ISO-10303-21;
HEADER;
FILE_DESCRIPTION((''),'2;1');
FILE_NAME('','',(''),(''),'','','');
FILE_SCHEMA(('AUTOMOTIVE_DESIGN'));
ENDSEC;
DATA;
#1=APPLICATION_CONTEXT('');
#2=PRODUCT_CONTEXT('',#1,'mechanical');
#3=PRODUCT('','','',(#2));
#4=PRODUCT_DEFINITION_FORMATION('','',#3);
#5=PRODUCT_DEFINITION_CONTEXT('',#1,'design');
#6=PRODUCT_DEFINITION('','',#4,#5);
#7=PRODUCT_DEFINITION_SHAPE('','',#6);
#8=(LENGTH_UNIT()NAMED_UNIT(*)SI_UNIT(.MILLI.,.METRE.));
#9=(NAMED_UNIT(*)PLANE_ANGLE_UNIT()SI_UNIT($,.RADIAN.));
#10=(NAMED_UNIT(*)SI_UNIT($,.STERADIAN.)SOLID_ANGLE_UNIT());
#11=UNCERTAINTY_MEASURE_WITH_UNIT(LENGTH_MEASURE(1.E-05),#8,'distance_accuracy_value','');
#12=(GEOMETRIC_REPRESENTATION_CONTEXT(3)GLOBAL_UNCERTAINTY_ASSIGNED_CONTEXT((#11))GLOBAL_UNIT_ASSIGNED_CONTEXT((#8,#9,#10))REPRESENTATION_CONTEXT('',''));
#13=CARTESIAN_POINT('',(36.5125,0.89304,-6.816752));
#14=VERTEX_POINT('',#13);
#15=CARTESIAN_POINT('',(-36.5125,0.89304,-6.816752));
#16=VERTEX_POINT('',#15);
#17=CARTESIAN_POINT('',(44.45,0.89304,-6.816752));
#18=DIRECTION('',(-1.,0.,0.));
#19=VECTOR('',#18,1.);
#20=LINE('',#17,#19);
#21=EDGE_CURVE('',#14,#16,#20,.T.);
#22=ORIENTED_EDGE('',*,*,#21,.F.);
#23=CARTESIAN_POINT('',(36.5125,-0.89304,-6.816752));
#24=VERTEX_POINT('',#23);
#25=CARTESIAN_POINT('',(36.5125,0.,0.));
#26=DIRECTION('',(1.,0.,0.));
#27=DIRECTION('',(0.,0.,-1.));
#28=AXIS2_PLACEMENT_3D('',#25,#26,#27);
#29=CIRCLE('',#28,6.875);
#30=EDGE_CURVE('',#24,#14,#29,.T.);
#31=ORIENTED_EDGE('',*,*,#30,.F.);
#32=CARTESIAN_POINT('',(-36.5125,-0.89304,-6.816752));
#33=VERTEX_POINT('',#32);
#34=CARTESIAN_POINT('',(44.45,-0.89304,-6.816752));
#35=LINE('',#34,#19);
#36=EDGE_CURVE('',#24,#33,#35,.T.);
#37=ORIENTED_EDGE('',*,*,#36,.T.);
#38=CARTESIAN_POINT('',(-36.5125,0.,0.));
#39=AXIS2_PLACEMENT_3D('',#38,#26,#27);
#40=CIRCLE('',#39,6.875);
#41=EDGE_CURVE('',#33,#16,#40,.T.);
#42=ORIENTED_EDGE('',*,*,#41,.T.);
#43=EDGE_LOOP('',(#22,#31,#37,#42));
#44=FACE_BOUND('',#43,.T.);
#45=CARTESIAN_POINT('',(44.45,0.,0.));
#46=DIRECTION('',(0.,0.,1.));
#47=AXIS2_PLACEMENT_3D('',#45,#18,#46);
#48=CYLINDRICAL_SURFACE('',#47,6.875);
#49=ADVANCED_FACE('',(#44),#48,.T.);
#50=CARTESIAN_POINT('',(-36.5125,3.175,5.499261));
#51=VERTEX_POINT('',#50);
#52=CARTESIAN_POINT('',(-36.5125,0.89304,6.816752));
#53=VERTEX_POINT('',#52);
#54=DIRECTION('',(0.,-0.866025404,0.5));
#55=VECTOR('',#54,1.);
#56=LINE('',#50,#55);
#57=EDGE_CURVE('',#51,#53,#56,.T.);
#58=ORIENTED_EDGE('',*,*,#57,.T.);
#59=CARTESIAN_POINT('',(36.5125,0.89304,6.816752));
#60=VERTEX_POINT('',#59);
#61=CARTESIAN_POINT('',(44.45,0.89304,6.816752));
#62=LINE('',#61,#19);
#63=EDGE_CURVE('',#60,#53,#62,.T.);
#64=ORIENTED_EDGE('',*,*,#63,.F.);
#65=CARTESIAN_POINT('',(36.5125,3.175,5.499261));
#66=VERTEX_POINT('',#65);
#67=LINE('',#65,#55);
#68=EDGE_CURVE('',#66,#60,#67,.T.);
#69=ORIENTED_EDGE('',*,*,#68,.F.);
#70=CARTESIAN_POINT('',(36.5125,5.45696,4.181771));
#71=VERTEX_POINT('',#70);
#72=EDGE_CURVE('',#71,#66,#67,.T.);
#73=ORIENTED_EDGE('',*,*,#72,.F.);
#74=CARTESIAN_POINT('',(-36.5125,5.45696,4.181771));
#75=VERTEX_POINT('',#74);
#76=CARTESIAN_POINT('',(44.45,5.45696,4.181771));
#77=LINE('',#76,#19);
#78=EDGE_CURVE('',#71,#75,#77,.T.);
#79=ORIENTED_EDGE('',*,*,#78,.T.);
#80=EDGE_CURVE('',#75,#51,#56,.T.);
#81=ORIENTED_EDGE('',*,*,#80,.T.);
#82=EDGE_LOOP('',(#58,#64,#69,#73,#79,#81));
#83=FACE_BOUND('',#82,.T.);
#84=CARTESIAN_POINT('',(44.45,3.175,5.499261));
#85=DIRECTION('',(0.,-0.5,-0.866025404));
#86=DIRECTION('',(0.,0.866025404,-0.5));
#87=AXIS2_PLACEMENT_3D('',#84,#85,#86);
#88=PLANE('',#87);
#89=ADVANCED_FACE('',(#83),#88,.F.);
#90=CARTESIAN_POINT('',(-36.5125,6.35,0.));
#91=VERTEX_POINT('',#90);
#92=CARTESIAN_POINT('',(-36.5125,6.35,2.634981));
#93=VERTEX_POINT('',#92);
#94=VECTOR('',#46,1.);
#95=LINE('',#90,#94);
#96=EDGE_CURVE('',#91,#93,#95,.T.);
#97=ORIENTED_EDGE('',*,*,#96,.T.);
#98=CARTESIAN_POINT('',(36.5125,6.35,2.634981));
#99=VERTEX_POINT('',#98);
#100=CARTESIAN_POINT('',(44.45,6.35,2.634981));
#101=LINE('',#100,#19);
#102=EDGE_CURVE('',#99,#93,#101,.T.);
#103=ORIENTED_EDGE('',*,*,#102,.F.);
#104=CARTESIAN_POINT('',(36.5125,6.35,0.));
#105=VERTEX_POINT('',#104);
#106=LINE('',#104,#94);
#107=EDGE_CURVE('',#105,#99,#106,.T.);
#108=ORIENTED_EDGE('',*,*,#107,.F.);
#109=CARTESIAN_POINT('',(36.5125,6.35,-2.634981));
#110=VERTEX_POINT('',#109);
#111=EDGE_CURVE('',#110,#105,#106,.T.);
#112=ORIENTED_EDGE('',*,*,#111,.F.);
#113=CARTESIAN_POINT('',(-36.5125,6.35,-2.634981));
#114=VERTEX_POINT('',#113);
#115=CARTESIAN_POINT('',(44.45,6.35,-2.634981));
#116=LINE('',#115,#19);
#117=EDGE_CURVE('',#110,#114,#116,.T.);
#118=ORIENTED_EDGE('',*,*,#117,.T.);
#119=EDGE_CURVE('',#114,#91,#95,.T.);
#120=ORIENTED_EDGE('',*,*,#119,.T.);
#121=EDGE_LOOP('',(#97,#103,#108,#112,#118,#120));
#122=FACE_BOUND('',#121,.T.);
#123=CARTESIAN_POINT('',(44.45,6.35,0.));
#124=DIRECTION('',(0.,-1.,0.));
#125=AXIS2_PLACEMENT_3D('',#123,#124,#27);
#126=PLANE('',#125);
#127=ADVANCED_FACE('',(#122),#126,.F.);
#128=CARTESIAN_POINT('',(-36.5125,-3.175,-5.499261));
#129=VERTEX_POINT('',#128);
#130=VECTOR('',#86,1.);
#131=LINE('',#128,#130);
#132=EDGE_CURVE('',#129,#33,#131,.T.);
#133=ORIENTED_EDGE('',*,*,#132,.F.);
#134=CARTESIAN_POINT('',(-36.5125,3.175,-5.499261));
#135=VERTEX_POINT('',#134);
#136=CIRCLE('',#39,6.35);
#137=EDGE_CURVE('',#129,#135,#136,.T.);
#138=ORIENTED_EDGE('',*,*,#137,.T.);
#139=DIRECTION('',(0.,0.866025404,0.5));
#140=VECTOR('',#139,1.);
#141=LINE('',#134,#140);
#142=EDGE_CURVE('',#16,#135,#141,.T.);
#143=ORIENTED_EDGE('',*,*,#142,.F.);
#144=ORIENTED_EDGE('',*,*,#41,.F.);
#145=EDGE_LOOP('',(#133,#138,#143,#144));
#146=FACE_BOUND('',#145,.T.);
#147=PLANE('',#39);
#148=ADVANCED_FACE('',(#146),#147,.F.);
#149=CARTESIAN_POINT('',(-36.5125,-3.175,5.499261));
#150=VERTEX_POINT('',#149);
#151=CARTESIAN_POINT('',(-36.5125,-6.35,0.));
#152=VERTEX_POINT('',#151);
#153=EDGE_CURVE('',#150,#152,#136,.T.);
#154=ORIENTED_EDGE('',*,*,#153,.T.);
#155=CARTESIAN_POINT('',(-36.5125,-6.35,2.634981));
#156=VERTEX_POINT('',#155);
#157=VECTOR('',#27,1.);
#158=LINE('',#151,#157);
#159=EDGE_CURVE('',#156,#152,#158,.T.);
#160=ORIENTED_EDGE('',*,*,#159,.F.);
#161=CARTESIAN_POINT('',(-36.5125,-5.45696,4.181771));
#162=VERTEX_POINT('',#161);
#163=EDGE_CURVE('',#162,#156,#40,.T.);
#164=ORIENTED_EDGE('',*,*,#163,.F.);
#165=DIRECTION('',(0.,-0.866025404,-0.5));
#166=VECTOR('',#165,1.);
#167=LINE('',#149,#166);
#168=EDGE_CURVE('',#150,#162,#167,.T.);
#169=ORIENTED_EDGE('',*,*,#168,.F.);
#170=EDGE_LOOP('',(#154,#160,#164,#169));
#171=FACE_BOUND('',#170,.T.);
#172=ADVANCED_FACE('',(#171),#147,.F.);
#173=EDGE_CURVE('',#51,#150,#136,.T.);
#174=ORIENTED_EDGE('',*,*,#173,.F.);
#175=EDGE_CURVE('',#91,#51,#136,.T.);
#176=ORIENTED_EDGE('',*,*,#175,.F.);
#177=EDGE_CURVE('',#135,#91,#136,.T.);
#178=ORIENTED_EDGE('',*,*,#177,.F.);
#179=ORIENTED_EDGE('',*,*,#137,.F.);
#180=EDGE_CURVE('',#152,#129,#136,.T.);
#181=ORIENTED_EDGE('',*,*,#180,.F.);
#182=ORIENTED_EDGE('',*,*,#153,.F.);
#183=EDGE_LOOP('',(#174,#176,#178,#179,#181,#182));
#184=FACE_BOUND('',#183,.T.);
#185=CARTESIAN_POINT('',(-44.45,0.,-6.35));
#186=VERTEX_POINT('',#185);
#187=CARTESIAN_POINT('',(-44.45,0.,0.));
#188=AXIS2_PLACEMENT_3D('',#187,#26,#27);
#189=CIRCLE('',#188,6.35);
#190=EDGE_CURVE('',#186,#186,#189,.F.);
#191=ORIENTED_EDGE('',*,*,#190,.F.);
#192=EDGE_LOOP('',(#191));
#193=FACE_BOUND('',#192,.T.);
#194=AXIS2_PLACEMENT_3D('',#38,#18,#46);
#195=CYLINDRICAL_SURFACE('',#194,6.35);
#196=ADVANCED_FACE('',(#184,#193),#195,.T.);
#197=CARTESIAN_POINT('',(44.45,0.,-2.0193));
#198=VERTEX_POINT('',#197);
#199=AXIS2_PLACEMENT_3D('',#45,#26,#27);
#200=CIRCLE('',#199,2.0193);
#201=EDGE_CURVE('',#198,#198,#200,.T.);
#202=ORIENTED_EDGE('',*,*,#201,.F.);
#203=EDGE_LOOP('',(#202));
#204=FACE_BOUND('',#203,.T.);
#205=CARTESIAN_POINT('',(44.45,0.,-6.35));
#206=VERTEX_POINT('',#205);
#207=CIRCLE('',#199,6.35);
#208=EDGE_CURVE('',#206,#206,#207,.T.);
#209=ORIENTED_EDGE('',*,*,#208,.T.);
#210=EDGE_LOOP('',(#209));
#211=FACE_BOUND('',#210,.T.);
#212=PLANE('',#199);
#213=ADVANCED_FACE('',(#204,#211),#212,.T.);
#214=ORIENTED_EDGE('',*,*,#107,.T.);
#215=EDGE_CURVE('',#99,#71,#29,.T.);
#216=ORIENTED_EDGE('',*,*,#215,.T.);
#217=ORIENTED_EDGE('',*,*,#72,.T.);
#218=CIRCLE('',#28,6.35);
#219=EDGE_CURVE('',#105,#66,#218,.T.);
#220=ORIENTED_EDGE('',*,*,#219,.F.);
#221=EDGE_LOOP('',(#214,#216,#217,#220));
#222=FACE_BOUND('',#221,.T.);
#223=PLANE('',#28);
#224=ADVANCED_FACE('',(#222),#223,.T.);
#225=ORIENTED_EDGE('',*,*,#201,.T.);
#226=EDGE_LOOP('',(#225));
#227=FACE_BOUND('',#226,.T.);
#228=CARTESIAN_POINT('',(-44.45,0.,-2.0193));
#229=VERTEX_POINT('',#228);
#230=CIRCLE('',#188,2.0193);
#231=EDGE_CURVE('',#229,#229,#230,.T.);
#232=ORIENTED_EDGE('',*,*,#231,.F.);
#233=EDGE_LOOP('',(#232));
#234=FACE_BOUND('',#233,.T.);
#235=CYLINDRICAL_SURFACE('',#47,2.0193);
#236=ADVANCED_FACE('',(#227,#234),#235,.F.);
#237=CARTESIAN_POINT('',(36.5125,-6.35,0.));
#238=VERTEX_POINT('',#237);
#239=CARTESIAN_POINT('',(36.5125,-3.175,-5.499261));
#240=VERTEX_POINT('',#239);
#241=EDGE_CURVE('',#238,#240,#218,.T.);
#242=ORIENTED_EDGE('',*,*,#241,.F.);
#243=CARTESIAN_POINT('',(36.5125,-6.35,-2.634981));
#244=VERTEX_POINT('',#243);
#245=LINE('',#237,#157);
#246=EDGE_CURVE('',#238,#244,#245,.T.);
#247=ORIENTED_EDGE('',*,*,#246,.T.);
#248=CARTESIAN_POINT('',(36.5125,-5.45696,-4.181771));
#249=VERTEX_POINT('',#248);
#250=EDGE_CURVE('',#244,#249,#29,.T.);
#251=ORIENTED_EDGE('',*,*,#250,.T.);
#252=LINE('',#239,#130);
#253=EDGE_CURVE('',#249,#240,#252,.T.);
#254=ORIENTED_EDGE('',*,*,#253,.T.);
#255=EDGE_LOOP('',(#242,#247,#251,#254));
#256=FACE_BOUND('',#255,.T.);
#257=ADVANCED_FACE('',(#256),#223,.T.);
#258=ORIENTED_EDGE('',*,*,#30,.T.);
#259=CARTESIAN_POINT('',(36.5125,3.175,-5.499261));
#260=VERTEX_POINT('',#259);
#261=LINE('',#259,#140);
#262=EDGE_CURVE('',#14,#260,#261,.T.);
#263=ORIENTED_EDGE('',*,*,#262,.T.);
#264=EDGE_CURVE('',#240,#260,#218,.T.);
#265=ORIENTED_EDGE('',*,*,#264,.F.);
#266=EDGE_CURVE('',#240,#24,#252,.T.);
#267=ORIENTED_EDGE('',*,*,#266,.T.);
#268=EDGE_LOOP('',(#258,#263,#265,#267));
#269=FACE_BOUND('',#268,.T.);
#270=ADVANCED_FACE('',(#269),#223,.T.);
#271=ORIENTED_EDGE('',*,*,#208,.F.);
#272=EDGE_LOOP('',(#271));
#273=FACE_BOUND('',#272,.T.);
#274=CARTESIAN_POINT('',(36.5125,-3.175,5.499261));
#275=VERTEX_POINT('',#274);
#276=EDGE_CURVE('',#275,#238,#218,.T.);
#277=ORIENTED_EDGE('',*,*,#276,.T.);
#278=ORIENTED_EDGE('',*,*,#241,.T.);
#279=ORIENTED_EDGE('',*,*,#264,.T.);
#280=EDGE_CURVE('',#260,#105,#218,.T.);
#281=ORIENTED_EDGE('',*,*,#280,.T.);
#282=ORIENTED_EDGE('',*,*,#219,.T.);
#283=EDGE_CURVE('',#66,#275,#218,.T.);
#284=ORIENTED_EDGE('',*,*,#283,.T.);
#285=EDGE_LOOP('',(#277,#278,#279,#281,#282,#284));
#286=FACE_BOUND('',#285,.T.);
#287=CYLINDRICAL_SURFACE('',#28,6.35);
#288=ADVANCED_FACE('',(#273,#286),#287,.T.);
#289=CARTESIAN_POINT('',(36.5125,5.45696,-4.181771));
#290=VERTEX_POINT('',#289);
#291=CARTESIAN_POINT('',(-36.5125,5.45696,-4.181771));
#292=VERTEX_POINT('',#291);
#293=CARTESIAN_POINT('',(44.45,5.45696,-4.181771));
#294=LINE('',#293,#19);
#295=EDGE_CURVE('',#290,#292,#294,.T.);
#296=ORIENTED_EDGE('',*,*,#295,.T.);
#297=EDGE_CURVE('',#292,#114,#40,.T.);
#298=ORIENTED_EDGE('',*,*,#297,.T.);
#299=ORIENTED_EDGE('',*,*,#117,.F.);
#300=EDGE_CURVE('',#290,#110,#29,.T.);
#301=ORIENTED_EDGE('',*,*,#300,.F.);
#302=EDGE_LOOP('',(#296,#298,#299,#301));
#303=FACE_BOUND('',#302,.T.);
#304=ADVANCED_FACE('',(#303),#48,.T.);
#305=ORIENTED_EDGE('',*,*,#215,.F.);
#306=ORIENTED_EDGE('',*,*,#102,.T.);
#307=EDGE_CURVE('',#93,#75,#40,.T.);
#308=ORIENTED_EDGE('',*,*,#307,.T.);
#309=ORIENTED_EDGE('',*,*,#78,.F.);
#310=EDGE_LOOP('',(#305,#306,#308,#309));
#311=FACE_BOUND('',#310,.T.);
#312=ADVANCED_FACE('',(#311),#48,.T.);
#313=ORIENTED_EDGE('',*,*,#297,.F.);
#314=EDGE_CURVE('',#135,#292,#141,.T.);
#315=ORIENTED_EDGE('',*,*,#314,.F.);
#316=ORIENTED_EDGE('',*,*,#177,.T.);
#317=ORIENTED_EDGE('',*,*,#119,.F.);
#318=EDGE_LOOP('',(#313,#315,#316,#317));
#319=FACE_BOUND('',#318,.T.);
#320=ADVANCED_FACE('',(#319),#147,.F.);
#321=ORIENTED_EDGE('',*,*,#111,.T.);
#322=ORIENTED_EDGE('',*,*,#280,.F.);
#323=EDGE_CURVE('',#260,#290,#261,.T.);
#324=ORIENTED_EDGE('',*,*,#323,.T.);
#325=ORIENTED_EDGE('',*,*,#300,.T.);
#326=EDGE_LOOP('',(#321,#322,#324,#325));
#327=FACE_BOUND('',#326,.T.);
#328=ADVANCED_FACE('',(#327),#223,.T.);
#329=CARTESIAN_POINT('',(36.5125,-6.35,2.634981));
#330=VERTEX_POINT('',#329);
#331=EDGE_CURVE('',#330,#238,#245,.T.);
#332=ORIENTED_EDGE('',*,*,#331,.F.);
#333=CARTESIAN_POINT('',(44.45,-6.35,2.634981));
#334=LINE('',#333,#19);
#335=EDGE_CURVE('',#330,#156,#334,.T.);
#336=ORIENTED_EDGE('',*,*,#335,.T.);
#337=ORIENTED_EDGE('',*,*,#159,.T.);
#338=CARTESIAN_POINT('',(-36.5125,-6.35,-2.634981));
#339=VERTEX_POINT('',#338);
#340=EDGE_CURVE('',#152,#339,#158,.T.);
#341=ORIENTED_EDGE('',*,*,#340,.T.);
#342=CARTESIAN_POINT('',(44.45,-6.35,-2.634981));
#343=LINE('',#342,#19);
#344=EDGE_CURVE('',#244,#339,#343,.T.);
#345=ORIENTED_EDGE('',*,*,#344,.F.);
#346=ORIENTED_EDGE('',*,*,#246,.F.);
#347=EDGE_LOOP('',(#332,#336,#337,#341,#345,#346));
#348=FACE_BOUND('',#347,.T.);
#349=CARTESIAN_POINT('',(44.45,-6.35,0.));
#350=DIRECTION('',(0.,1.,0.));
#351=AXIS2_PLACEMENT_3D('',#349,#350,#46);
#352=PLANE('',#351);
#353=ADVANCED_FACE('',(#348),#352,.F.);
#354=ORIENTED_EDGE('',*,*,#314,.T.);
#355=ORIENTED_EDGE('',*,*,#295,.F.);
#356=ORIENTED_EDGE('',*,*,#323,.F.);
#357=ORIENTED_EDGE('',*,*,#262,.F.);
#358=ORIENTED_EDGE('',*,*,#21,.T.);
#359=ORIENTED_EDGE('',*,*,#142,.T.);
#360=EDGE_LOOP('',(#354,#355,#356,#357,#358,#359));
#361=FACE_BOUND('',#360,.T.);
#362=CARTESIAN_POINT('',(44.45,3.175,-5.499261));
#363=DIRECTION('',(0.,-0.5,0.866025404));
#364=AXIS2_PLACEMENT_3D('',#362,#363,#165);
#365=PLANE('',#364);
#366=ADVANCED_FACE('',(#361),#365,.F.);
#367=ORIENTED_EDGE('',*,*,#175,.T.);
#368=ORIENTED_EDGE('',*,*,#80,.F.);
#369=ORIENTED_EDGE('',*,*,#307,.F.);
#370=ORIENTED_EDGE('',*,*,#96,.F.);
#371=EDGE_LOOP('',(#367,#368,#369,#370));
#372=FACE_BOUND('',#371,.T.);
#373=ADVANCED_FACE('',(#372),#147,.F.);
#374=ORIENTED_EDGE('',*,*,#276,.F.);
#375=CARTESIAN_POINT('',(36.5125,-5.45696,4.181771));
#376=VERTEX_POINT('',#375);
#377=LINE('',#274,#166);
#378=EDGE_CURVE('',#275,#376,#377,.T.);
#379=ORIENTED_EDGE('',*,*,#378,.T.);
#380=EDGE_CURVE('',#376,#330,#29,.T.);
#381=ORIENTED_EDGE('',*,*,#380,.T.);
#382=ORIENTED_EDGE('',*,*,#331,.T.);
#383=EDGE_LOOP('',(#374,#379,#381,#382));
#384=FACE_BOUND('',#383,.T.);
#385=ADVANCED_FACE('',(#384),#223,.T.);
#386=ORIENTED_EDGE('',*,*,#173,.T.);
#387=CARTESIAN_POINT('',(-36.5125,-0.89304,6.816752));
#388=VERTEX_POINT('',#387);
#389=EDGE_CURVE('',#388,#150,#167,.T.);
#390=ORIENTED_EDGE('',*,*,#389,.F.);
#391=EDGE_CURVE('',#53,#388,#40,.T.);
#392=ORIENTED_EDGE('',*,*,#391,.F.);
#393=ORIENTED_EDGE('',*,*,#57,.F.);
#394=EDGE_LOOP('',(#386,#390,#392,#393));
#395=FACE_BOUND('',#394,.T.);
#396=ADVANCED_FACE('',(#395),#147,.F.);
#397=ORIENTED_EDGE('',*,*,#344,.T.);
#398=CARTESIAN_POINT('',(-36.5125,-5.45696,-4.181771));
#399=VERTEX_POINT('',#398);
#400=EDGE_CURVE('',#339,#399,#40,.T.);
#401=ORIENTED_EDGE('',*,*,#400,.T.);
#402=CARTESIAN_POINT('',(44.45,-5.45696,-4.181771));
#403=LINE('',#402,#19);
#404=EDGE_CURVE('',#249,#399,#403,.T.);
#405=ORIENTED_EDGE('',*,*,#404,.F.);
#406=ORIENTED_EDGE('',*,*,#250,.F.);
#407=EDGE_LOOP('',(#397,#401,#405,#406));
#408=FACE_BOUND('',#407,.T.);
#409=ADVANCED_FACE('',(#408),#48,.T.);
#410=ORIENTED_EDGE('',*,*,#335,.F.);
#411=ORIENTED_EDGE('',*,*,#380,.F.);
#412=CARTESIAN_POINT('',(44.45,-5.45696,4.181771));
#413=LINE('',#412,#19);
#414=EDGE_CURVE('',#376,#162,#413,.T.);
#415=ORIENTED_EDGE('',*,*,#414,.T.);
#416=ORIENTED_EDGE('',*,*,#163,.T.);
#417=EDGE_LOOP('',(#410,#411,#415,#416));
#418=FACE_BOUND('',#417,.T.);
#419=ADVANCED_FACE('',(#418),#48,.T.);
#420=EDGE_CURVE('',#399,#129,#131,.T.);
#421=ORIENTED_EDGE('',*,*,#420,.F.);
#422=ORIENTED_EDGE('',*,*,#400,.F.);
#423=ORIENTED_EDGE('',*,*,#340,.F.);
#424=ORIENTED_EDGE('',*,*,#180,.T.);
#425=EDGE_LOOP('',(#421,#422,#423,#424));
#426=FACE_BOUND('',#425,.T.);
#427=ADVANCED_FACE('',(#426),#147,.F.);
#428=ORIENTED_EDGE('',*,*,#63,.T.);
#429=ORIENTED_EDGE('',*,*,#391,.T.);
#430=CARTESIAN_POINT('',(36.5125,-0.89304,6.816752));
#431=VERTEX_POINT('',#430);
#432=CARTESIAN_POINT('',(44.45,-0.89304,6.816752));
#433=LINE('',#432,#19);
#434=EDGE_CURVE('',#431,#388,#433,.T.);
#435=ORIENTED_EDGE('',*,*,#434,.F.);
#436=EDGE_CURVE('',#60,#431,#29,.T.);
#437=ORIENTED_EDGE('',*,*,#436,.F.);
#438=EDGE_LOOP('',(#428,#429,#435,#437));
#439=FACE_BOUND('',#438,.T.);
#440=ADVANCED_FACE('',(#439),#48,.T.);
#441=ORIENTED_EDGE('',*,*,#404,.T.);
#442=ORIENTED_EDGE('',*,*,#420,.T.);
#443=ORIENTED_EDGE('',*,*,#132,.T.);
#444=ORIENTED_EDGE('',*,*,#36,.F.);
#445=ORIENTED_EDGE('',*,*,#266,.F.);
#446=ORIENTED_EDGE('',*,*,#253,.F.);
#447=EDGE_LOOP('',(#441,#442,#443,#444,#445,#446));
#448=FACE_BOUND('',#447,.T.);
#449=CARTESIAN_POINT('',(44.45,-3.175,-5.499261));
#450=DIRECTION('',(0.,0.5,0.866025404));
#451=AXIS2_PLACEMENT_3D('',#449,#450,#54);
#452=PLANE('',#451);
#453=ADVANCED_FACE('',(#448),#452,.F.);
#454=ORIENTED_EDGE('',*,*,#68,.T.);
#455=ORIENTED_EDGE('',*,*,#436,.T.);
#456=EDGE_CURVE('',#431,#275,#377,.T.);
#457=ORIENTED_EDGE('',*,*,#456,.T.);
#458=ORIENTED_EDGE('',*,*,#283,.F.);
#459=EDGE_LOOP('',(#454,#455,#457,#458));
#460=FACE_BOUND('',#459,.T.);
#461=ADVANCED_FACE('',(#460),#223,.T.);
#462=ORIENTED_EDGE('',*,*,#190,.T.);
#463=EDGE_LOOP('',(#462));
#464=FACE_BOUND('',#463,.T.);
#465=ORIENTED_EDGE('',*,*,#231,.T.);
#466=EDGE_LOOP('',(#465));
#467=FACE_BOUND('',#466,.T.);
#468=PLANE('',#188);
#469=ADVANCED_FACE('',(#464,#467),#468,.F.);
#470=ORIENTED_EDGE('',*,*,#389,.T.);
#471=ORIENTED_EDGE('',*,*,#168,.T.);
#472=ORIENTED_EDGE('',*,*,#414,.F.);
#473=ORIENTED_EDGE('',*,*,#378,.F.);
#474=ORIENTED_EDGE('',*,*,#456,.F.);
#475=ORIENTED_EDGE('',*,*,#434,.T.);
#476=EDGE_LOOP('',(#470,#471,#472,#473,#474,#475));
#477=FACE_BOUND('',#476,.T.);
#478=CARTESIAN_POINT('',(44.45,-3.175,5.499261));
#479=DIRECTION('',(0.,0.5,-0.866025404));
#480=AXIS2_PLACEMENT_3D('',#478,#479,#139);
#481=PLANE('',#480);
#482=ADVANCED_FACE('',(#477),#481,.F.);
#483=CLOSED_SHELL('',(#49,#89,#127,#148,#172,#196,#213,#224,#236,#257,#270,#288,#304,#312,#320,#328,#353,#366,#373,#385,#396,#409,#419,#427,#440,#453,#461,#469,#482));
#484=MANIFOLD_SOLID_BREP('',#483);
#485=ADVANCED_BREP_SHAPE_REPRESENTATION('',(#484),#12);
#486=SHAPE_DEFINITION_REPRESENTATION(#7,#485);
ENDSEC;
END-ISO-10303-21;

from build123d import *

# Parameters (mm, degrees)
SKETCH1_R               = 2.0193
BOSS_EXTRUDE1_DEPTH     = 44.45
SKETCH2_R               = 8.89
SKETCH2_R_2             = 6.35
CUT_EXTRUDE_THIN1_DEPTH = 7.9375


with BuildPart() as part:
    # Sketch1 → Boss-Extrude1 (new, symmetric)
    with BuildSketch(Plane(origin=(0, 0, 0), x_dir=(0, 0, -1), z_dir=(1, 0, 0))):
        with BuildLine():
            ThreePointArc((6.874999966, 0), (6.860422465, 0.447468582), (6.816751782, 0.893039571))
            Line((6.816751782, 0.893039571), (4.181770846, 5.456960429))
            ThreePointArc((4.181770846, 5.456960429), (3.437499983, 5.953924622), (2.634980936, 6.35))
            Line((2.634980936, 6.35), (-2.634980936, 6.35))
            ThreePointArc((-2.634980936, 6.35), (-3.437499983, 5.953924622), (-4.181770846, 5.456960429))
            Line((-4.181770846, 5.456960429), (-6.816751782, 0.893039571))
            ThreePointArc((-6.816751782, 0.893039571), (-6.874999966, 0), (-6.816751782, -0.893039571))
            Line((-6.816751782, -0.893039571), (-4.181770846, -5.456960429))
            ThreePointArc((-4.181770846, -5.456960429), (-3.437499983, -5.953924622), (-2.634980936, -6.35))
            Line((-2.634980936, -6.35), (2.634980936, -6.35))
            ThreePointArc((2.634980936, -6.35), (3.437499983, -5.953924622), (4.181770846, -5.456960429))
            Line((4.181770846, -5.456960429), (6.816751782, -0.893039571))
            ThreePointArc((6.816751782, -0.893039571), (6.860422465, -0.447468582), (6.874999966, 0))
        make_face()
        Circle(SKETCH1_R, mode=Mode.SUBTRACT)
    extrude(amount=BOSS_EXTRUDE1_DEPTH, both=True)

    # Sketch2 → Cut-Extrude-Thin1 (cut)
    with BuildSketch(Plane(origin=(44.45, 0, 0), x_dir=(0, 0, -1), z_dir=(1, 0, 0))):
        Circle(SKETCH2_R)
        Circle(SKETCH2_R_2, mode=Mode.SUBTRACT)
    cut_extrude_thin1 = extrude(amount=-CUT_EXTRUDE_THIN1_DEPTH, mode=Mode.SUBTRACT)

    # Mirror1: Cut-Extrude-Thin1 across plane
    add(cut_extrude_thin1.mirror(Plane(origin=(0, 0, 0), x_dir=(0, 0, 1), z_dir=(1, 0, 0))), mode=Mode.SUBTRACT)


solid = part.part
